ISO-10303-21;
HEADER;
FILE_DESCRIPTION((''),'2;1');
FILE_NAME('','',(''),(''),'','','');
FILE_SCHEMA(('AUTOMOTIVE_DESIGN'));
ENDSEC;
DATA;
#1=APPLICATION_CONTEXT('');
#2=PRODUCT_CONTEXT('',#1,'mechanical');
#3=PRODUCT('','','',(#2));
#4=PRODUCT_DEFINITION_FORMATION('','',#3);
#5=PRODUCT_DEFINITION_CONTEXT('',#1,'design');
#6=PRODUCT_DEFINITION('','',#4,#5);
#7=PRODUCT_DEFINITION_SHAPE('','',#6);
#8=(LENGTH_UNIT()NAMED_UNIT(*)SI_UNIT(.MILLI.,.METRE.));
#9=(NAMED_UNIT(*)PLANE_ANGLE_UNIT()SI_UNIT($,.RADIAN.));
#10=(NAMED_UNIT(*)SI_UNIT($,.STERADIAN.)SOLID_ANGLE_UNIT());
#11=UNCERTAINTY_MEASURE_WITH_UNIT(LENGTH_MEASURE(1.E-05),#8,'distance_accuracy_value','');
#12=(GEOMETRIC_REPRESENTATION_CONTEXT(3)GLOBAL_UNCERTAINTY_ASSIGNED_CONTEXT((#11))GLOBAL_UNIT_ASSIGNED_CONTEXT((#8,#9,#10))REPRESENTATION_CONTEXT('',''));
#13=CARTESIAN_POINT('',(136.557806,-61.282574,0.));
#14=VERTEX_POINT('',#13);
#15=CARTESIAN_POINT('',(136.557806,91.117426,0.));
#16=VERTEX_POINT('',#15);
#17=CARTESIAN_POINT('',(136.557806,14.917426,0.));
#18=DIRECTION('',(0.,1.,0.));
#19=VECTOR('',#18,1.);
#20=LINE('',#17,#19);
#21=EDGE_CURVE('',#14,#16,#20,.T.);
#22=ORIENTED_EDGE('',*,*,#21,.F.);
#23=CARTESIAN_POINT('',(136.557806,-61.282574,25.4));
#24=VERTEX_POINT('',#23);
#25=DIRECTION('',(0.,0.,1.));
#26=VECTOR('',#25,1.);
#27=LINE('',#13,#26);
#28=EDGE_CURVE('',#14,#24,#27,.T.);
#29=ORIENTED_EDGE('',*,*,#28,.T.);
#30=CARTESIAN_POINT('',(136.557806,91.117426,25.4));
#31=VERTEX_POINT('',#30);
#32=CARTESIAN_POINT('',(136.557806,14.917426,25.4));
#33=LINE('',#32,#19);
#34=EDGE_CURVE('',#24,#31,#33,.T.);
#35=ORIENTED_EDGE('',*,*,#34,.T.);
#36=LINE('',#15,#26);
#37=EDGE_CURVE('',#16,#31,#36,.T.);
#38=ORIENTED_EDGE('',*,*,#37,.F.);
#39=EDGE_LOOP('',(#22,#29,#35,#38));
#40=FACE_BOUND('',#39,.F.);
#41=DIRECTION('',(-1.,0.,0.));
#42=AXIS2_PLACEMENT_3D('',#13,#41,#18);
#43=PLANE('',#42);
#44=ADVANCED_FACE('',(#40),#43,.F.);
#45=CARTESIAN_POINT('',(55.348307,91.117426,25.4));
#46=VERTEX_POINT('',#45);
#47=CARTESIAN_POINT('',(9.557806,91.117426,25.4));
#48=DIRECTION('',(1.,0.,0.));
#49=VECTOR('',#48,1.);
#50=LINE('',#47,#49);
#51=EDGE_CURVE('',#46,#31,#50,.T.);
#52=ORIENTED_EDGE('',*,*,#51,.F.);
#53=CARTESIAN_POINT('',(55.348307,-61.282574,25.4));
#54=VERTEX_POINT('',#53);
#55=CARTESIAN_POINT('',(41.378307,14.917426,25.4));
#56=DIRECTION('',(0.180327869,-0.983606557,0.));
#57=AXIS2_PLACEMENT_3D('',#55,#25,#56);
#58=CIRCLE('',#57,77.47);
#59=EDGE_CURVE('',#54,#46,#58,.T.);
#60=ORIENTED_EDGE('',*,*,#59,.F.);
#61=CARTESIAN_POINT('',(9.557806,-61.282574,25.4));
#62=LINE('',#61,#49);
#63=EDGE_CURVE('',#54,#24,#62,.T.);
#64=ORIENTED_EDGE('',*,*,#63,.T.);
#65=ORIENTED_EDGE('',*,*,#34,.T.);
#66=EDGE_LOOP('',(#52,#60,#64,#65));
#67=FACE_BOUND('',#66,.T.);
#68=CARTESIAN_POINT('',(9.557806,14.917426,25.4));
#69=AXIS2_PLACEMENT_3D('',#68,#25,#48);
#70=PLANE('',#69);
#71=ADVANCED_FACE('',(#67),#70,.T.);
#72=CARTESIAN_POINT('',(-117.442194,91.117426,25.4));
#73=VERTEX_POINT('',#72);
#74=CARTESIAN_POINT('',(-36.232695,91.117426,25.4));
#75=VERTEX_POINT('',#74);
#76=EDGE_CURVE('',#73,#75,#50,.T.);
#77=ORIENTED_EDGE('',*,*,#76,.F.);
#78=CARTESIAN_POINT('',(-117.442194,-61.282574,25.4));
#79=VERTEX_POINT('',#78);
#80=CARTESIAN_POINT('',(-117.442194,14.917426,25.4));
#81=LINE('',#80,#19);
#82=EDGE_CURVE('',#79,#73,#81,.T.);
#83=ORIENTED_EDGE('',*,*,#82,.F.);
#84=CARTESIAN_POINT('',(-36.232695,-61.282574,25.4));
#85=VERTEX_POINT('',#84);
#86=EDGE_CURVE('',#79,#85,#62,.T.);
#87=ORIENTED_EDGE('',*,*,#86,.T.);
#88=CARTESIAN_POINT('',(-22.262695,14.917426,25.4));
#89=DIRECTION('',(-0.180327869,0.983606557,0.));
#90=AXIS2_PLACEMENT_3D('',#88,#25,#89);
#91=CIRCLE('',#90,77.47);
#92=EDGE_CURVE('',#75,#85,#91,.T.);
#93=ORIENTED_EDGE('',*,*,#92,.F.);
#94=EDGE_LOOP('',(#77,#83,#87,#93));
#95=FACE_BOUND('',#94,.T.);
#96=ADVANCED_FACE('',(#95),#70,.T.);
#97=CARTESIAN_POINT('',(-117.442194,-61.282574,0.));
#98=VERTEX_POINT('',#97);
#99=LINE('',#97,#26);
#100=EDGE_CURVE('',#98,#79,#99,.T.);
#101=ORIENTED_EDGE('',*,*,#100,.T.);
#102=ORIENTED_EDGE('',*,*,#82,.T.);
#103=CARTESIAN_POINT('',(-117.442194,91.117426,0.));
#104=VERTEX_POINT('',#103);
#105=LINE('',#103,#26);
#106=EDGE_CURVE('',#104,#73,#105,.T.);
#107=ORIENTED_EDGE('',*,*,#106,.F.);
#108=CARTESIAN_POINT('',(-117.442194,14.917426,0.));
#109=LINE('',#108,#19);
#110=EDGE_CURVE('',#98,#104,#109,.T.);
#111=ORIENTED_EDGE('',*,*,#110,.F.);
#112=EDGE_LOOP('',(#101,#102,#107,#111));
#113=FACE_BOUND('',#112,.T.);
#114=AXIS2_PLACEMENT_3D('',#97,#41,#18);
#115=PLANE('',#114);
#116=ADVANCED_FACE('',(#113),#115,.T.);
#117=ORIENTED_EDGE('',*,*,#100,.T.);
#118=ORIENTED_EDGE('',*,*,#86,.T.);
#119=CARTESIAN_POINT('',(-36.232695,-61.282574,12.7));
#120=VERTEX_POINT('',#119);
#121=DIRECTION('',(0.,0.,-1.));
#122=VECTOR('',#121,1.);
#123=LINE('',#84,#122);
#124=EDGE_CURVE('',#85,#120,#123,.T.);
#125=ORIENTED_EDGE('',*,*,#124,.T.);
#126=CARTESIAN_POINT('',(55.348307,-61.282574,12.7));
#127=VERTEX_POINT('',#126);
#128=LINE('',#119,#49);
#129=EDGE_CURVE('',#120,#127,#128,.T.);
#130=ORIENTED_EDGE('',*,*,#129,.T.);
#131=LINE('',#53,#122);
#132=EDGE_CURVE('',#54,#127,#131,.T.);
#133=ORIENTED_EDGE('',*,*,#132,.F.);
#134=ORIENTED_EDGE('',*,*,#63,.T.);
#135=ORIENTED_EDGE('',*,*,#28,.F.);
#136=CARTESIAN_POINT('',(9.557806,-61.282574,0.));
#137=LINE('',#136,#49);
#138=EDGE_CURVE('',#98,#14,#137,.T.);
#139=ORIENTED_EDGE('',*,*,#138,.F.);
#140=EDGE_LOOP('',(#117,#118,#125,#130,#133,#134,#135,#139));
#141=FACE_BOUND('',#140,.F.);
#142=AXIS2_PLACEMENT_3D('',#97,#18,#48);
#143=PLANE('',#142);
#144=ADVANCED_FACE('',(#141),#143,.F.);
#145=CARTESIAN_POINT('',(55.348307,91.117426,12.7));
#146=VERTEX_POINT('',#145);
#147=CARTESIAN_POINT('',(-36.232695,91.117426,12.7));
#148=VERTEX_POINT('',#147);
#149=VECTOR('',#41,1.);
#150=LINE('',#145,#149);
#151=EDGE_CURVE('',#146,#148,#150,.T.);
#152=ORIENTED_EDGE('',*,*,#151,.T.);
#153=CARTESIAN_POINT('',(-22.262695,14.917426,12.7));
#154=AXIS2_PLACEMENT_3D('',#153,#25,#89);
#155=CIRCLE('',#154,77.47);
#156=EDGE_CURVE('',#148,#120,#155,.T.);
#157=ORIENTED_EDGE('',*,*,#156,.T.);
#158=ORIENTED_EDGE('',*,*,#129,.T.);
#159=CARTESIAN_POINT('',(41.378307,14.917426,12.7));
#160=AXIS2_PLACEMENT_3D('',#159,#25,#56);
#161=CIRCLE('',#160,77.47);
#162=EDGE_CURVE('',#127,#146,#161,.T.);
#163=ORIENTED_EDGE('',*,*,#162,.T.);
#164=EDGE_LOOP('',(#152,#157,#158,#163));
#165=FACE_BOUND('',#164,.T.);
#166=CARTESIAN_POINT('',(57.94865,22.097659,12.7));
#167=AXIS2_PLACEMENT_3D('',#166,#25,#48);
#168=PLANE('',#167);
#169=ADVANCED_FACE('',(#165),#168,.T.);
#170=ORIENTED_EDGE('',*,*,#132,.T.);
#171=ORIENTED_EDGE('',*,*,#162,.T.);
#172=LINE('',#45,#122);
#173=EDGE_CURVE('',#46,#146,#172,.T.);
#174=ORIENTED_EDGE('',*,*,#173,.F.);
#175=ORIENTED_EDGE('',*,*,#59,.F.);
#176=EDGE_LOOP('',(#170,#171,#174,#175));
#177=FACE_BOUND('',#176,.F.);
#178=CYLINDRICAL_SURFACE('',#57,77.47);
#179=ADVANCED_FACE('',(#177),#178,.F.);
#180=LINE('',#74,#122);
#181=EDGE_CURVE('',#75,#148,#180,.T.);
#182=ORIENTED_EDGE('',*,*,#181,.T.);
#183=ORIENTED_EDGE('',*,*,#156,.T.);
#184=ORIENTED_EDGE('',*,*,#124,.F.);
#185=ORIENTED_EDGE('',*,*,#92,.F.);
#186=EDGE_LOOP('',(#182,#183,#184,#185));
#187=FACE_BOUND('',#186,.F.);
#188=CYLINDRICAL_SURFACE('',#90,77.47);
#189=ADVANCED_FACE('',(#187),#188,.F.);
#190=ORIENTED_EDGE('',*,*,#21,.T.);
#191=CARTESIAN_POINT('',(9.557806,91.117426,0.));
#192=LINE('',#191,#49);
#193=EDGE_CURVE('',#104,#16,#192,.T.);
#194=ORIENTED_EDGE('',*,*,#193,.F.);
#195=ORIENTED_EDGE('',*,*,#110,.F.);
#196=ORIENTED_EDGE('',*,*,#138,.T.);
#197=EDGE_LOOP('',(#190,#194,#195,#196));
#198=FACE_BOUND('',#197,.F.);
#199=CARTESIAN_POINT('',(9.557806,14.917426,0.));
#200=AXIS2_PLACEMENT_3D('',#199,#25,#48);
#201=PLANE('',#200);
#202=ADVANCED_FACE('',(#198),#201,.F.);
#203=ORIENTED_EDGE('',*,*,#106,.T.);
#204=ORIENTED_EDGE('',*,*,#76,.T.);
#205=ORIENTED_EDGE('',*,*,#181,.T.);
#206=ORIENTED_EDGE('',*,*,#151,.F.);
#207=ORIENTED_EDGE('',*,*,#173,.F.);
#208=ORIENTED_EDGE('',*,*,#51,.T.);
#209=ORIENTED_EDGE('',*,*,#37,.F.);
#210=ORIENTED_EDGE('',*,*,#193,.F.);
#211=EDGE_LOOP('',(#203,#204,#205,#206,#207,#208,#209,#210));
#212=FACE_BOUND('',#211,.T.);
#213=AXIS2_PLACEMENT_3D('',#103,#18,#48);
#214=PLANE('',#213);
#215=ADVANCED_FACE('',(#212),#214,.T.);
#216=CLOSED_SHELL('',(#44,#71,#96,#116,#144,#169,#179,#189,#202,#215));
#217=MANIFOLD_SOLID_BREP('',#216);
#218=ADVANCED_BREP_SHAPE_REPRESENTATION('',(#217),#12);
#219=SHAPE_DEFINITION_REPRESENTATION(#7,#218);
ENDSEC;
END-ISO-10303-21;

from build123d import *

# Parameters (mm, degrees)
F0_W     = 254
F0_H     = 152.4
F1_DEPTH = 25.4
F3_DEPTH = 12.7


with BuildPart() as f1:
    # F0 (on Top) → F1 (new body)
    with BuildSketch(Plane.XY):
        with Locations((9.557806, 14.917426)):
            Rectangle(F0_W, F0_H)
    extrude(amount=F1_DEPTH)

    # F2 (on face) → F3 (cut)
    with BuildSketch(Plane.XY.offset(25.4)):
        with BuildLine():
            Line((55.348307, 91.117426), (9.557806, 91.117426))
            Line((9.557806, 91.117426), (9.557806, 14.917426))
            Line((9.557806, 14.917426), (55.348307, -61.282574))
            ThreePointArc((55.348307, -61.282574), (118.848307, 14.917426), (55.348307, 91.117426))
        make_face()
        Polygon((55.348307, -61.282574), (9.557806, 14.917426), (-36.232695, -61.282574), align=None)
        with BuildLine():
            Line((9.557806, 14.917426), (9.557806, 91.117426))
            Line((9.557806, 91.117426), (-36.232695, 91.117426))
            ThreePointArc((-36.232695, 91.117426), (-99.732695, 14.917426), (-36.232695, -61.282574))
            Line((-36.232695, -61.282574), (9.557806, 14.917426))
        make_face()
    extrude(amount=-F3_DEPTH, mode=Mode.SUBTRACT)


solid = f1.part
